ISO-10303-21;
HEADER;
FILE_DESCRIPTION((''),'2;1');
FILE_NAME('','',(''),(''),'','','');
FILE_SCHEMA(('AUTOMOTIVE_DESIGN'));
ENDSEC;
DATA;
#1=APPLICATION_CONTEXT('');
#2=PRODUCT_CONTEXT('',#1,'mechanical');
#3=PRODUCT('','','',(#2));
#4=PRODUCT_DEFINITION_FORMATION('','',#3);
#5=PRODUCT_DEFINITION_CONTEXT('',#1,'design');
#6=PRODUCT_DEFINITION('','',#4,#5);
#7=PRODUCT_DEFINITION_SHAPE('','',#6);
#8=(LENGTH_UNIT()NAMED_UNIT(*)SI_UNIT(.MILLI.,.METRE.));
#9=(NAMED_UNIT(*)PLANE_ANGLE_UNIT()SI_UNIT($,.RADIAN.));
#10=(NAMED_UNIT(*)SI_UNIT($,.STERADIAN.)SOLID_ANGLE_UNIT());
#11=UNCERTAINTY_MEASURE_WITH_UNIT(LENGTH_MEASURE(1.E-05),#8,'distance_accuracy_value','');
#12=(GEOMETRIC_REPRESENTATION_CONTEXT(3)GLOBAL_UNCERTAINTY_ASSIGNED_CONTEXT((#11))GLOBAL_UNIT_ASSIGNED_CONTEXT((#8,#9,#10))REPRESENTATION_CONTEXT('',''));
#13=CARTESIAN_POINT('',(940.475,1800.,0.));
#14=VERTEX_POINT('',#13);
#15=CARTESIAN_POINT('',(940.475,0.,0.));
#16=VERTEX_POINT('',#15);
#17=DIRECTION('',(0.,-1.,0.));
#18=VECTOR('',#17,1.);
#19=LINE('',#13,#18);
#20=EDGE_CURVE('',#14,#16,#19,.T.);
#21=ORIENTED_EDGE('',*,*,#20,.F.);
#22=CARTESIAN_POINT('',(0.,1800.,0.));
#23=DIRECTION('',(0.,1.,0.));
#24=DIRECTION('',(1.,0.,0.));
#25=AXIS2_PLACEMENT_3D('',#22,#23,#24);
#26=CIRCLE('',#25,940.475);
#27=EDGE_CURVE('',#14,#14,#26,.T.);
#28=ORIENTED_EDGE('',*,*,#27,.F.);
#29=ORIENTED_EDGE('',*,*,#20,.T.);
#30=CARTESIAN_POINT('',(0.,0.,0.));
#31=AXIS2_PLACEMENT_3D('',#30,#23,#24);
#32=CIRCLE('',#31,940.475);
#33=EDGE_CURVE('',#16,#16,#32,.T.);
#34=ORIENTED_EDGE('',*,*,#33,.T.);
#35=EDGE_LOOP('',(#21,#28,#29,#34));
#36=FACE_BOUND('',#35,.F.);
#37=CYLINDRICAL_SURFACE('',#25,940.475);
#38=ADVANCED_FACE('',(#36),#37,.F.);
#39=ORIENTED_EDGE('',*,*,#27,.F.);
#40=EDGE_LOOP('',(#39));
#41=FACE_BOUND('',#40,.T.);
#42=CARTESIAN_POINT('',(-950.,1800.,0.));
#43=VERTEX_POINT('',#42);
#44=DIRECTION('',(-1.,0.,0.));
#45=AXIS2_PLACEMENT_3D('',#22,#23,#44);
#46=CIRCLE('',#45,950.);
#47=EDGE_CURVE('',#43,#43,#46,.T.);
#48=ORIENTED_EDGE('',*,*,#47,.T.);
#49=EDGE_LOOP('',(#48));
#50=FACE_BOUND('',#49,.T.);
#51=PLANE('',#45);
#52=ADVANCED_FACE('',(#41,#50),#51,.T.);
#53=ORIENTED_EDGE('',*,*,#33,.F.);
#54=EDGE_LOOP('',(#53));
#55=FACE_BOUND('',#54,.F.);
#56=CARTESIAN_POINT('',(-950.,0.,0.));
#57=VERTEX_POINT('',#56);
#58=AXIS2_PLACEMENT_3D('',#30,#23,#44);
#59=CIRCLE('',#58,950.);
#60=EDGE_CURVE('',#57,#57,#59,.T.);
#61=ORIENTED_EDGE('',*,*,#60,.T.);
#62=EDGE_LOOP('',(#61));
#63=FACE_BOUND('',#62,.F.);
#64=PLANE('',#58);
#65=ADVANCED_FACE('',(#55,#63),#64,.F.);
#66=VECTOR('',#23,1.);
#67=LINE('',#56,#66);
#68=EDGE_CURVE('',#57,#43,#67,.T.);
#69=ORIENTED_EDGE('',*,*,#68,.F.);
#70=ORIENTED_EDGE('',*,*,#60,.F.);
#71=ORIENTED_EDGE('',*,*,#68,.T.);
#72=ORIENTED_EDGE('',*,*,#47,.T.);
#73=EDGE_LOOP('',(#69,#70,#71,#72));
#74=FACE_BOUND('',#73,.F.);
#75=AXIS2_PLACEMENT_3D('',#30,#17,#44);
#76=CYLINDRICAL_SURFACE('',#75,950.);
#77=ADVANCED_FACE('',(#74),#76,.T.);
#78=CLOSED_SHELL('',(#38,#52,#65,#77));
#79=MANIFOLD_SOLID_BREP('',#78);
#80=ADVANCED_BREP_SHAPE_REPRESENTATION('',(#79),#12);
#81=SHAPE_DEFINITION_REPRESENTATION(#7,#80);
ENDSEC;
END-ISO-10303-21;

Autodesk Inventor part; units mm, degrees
ref_plane "YZ Plane" through (0, 0, 0) normal (1, 0, 0) x (0, 1, 0)
ref_plane "XZ Plane" through (0, 0, 0) normal (0, 1, 0) x (-1, 0, 0)
ref_plane "XY Plane" through (0, 0, 0) normal (0, 0, 1) x (1, 0, 0)
sketch "Sketch1" plane through (0, 0, 0) normal (0, 1, 0) x (-1, 0, 0)
  circle A0 centre (0, 0) radius 950
  dimension "d0" = 1900
extrude "Extrusion1" add sketch "Sketch1" along normal blind 1800
ref_plane "Work Plane1" through (0, 1800, 0) normal (0, 1, 0) x (1, 0, 0)
sketch "Sketch2" plane through (0, 1800, 0) normal (0, 1, 0) x (1, 0, 0)
  circle A0 centre (0, 0) radius 950 construction
  circle A1 centre (0, 0) radius 940.475
  dimension "d4" = 9.525
extrude "Extrusion2" cut sketch "Sketch2" against normal blind 1800
properties part number "ejercicio1" material "Iron, Gray"
